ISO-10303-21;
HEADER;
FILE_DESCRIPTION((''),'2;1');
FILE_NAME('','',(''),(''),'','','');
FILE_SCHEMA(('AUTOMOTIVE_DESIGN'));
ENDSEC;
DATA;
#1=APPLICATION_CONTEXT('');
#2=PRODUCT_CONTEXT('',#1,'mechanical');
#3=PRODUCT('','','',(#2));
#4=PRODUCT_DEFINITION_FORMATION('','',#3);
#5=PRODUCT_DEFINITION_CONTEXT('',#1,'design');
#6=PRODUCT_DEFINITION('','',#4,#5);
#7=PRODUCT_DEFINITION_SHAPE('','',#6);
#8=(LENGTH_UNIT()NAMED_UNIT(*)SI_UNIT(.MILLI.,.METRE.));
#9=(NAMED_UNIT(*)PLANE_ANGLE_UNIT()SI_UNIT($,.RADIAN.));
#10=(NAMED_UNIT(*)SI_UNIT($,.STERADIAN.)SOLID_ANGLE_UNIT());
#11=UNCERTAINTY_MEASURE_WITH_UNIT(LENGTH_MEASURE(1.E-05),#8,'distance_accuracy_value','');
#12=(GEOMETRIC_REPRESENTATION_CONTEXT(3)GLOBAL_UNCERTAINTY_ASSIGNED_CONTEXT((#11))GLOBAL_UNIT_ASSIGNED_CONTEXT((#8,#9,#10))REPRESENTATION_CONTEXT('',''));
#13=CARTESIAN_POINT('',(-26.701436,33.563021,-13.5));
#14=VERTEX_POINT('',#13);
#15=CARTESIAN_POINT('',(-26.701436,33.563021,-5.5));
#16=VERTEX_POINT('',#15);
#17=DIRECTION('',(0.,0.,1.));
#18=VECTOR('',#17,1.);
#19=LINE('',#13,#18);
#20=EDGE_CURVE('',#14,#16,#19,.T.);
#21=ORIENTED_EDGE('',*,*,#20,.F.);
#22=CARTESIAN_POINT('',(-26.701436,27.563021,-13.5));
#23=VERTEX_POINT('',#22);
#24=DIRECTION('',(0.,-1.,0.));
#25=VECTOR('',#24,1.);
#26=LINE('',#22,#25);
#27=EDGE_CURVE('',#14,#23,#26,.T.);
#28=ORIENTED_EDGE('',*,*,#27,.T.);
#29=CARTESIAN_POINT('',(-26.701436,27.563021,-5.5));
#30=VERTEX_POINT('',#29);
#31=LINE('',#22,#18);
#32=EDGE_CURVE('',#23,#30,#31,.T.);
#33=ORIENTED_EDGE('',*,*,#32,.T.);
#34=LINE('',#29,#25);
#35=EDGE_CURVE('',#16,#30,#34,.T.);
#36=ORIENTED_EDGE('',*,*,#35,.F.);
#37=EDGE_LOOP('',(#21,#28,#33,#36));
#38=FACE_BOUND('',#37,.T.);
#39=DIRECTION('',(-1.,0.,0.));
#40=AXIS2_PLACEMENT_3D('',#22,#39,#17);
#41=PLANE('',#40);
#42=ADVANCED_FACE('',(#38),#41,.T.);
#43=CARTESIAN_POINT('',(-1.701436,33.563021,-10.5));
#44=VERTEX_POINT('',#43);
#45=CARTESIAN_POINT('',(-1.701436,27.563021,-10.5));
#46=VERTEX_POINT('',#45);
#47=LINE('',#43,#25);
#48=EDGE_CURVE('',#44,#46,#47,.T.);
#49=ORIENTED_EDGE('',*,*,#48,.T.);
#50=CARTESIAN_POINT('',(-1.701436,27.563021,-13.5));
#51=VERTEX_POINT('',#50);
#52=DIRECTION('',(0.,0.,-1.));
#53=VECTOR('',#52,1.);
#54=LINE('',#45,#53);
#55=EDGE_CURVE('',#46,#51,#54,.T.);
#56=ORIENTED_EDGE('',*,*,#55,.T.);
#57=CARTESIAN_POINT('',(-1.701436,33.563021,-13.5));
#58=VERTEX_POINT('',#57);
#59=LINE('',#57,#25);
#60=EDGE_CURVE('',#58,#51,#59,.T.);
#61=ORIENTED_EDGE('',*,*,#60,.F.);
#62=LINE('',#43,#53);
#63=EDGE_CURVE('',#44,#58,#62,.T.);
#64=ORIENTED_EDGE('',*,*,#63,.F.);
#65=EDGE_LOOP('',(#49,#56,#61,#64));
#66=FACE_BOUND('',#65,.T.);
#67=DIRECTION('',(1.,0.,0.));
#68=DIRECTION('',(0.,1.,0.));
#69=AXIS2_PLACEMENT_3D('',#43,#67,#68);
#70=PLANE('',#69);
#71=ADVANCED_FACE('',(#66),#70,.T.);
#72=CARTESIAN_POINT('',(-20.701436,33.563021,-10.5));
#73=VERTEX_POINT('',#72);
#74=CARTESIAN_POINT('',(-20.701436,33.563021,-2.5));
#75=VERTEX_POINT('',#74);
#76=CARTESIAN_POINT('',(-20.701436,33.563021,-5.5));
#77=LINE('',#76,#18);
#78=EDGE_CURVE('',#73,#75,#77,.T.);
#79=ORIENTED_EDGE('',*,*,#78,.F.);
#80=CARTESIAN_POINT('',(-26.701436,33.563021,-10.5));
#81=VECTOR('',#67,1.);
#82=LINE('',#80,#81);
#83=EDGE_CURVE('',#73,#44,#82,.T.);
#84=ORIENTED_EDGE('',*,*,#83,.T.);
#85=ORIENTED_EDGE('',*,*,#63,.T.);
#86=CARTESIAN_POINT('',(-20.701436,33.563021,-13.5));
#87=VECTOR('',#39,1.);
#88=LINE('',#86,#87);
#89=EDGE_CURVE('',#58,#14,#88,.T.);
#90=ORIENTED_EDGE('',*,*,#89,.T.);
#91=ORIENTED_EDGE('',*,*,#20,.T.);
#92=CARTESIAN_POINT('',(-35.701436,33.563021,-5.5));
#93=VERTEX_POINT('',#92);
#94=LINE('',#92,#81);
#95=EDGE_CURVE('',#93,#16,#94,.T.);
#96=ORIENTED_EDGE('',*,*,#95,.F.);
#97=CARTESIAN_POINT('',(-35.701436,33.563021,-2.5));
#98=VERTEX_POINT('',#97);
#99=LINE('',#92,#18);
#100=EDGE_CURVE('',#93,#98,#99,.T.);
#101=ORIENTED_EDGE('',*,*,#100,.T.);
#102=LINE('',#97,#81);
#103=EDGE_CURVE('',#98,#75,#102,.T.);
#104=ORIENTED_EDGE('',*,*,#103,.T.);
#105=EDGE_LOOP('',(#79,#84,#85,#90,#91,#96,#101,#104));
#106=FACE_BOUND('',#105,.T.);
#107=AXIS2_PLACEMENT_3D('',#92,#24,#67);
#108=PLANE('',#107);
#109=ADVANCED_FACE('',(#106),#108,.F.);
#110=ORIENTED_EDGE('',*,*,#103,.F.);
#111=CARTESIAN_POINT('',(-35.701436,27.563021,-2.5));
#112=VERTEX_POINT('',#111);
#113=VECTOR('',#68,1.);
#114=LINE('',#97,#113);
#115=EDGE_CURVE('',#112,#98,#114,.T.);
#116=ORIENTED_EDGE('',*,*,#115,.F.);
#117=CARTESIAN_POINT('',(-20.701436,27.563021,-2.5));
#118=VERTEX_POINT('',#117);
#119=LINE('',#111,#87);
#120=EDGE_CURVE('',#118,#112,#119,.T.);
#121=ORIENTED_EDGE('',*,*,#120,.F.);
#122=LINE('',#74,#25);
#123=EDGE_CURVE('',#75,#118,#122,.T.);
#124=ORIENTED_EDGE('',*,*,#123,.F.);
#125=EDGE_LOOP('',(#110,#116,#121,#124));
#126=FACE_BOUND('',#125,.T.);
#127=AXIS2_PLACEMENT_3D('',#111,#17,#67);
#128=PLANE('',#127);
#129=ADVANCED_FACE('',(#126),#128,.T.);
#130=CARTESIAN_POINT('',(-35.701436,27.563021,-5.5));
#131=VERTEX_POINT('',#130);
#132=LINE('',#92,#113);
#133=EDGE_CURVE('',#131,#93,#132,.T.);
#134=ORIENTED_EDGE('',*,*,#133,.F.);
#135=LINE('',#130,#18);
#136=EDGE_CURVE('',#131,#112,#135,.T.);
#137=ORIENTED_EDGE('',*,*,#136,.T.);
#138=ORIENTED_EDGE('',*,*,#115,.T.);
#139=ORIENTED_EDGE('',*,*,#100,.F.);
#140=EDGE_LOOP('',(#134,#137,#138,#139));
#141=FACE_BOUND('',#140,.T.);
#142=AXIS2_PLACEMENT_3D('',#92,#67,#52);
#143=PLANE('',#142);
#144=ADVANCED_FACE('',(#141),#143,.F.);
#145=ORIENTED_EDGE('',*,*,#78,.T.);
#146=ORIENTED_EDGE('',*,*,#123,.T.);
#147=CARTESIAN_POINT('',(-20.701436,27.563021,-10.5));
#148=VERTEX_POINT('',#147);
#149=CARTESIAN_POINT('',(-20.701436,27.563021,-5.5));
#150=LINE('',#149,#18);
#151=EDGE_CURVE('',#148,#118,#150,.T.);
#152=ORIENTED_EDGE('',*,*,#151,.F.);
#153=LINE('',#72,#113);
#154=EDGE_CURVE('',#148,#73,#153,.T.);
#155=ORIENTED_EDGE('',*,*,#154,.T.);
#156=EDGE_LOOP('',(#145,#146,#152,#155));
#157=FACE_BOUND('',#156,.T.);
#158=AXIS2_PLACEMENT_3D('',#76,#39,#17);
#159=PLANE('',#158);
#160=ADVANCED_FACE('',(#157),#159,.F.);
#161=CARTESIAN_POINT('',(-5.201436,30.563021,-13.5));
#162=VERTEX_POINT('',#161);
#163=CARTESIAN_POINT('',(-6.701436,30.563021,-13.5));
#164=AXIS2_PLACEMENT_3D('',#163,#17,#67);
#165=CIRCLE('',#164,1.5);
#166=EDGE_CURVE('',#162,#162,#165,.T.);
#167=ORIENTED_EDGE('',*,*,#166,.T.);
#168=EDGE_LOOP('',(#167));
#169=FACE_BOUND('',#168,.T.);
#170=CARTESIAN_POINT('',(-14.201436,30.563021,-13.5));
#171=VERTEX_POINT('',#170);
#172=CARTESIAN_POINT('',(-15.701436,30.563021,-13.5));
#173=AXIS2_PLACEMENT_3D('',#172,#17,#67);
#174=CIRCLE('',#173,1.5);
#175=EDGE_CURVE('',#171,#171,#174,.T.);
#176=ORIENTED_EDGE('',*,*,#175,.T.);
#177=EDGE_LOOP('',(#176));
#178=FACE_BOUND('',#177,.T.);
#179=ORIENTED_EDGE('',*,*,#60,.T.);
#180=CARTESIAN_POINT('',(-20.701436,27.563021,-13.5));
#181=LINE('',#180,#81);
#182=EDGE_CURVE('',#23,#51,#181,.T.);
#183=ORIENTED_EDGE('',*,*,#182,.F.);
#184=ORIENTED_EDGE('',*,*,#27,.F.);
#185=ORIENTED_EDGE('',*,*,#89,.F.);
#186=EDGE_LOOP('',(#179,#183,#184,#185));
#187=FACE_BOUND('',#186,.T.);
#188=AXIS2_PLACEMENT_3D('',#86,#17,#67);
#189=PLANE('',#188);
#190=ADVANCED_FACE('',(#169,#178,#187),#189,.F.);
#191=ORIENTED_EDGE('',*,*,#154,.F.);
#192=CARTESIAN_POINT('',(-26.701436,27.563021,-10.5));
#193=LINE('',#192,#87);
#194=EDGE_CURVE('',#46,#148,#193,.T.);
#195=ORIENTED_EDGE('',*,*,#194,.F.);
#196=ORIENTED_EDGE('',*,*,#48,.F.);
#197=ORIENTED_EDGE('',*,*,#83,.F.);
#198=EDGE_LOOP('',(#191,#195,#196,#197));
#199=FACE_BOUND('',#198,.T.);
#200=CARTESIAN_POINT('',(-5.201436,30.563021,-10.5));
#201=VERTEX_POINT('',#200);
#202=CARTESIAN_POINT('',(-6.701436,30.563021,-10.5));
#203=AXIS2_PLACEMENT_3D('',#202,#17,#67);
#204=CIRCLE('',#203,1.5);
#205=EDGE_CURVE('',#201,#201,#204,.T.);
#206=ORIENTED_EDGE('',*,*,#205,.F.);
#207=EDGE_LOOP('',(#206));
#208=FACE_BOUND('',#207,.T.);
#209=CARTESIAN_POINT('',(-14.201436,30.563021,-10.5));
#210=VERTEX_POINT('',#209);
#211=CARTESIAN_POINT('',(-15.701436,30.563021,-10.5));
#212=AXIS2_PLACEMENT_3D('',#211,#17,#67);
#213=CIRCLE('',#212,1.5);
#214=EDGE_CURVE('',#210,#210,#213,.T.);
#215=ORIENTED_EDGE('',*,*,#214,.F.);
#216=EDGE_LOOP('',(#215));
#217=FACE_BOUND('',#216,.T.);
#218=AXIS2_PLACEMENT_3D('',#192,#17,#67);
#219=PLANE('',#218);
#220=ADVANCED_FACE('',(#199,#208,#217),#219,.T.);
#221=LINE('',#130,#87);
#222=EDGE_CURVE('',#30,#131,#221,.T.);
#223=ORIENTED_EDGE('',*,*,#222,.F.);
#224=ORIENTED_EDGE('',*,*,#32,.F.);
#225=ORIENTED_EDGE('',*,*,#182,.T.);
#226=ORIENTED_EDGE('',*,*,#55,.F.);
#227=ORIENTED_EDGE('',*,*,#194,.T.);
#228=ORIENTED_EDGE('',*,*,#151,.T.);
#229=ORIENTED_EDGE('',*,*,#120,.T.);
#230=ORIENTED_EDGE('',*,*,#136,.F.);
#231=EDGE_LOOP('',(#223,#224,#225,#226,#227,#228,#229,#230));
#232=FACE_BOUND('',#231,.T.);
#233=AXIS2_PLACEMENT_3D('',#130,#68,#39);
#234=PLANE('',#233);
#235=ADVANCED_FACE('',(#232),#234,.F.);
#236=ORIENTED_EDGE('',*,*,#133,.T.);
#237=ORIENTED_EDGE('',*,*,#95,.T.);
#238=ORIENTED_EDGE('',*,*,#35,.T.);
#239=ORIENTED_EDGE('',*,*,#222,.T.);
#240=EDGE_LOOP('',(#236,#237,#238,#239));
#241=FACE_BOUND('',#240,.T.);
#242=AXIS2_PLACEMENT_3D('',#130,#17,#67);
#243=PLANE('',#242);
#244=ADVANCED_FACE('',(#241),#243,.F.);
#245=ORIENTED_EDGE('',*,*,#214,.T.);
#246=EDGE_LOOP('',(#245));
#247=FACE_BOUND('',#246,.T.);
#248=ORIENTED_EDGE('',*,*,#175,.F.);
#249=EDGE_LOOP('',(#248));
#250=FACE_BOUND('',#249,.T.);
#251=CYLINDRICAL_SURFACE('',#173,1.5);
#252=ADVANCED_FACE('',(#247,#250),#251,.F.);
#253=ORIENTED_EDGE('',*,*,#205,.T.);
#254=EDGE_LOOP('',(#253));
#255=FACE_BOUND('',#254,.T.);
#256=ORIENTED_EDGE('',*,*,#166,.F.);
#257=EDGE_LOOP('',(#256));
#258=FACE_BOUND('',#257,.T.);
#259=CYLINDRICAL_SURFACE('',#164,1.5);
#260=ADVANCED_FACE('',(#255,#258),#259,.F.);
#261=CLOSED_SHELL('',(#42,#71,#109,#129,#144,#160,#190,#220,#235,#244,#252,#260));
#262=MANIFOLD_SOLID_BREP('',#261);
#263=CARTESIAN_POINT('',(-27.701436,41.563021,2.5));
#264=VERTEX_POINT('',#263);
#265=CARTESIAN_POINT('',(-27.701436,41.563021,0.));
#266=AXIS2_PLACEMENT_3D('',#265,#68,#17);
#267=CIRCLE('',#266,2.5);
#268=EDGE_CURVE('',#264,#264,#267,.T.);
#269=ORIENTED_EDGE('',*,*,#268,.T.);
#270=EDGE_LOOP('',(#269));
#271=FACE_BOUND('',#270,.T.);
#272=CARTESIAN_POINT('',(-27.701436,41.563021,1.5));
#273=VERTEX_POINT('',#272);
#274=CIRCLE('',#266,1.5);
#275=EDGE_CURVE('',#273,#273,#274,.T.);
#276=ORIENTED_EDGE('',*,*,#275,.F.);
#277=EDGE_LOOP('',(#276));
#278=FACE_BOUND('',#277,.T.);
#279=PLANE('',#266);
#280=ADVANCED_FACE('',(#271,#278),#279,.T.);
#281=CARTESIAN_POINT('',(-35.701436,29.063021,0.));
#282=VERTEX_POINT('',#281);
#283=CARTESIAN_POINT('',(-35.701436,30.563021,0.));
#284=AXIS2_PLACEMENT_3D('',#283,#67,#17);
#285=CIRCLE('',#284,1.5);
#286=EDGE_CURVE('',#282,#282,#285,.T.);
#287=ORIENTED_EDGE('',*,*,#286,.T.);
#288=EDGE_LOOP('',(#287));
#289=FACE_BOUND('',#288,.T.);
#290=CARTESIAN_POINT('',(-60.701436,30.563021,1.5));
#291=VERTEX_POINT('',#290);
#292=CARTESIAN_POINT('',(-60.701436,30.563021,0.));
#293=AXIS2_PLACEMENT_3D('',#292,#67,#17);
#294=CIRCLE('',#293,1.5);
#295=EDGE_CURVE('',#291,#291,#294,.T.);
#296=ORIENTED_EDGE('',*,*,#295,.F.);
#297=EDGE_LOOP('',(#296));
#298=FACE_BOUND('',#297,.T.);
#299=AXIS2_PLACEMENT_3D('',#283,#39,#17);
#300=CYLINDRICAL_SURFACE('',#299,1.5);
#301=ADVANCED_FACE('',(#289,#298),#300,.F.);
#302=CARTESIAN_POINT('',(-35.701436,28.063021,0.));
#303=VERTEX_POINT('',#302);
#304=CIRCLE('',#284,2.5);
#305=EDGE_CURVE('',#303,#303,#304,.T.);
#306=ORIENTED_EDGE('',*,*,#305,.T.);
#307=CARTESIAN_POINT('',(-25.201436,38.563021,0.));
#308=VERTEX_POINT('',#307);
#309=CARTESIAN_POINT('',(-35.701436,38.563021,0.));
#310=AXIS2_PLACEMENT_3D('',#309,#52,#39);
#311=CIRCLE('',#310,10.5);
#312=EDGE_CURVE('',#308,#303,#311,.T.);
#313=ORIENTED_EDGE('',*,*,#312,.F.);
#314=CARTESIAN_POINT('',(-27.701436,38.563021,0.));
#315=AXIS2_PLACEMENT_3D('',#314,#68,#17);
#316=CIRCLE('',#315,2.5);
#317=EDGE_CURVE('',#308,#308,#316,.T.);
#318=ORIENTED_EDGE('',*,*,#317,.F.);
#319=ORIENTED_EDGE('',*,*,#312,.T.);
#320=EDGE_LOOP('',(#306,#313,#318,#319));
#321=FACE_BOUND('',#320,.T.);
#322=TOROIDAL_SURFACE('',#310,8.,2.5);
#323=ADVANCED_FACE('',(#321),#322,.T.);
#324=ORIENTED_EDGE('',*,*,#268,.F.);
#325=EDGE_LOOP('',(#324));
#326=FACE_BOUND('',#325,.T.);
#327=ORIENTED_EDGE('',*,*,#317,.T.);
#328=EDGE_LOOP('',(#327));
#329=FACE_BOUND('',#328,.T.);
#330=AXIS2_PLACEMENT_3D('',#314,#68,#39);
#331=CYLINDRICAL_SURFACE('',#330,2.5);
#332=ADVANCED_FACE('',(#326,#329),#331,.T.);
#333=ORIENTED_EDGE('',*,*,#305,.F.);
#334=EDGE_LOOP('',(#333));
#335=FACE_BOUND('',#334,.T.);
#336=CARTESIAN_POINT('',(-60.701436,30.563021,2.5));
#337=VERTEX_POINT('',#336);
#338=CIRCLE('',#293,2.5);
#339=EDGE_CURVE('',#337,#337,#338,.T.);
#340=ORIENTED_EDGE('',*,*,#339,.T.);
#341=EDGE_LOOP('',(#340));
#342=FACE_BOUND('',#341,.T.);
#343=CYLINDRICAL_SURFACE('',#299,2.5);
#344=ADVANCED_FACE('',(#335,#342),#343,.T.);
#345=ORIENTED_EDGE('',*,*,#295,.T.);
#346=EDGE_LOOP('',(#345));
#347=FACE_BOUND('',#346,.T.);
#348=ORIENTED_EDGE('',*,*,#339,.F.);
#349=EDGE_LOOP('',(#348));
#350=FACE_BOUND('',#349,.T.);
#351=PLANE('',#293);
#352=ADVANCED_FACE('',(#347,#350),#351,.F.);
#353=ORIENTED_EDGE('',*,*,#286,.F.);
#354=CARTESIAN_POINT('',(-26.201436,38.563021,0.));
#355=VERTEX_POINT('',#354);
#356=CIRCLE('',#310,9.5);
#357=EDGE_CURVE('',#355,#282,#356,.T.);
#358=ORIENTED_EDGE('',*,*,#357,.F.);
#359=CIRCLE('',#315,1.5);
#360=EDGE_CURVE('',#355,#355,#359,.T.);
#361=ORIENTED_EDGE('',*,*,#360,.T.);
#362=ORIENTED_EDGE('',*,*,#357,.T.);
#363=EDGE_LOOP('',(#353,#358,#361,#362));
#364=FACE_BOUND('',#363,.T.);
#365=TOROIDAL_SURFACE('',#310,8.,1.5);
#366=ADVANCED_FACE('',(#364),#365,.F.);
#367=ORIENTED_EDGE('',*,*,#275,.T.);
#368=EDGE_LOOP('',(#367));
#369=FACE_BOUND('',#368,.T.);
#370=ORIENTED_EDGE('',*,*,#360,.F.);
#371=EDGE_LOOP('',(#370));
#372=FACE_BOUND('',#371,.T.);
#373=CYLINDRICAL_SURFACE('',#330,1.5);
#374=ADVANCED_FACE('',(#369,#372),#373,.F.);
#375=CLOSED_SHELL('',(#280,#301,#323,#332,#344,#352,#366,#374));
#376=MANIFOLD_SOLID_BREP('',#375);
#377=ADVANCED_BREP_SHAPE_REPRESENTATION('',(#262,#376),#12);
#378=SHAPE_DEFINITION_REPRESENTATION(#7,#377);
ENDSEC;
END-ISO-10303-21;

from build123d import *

# Parameters (mm, degrees)
SKETCH3_R           = 2.5
SKETCH3_R_2         = 1.5
SKETCH4_W           = 15
SKETCH4_H           = 6
BOSS_EXTRUDE1_DEPTH = 3
SKETCH5_W           = 6
SKETCH5_H           = 6
BOSS_EXTRUDE2_DEPTH = 11
SKETCH6_W           = 25
SKETCH6_H           = 6
BOSS_EXTRUDE3_DEPTH = 3
SKETCH7_R           = 1.5
CUT_EXTRUDE1_DEPTH  = 75.707087809


with BuildPart() as part:
    # Sweep1: sweep along a path in Sketch1
    with BuildLine(Plane.XY) as sweep1_path:
        Line((-60.701435552, 30.563020681), (-35.701435552, 30.563020681))
        ThreePointArc((-35.701435552, 30.563020681), (-30.044581303, 32.906166431), (-27.701435552, 38.563020681))
        Line((-27.701435552, 38.563020681), (-27.701435552, 41.563020681))
    # Sketch3 → Sweep1 (sweep)
    with BuildSketch(Plane(origin=(0, 41.563020681, 0), x_dir=(-1, 0, 0), z_dir=(0, 1, 0))):
        with Locations((27.701435552, 0)):
            Circle(SKETCH3_R)
        with Locations((27.701435552, 0)):
            Circle(SKETCH3_R_2, mode=Mode.SUBTRACT)
    sweep(path=sweep1_path.line)


with BuildPart() as body_2:
    # Sketch4 → Boss-Extrude1 (new body)
    with BuildSketch(Plane(origin=(0, 0, -2.5), x_dir=(-1, 0, 0), z_dir=(0, 0, -1))):
        with Locations((28.201435552, 30.563020681)):
            Rectangle(SKETCH4_W, SKETCH4_H)
    extrude(amount=BOSS_EXTRUDE1_DEPTH)

    # Sketch5 → Boss-Extrude2 (add)
    with BuildSketch(Plane.XY.offset(-2.5)):
        with Locations((-23.701435552, 30.563020681)):
            Rectangle(SKETCH5_W, SKETCH5_H)
    extrude(amount=-BOSS_EXTRUDE2_DEPTH)

    # Sketch6 → Boss-Extrude3 (add)
    with BuildSketch(Plane(origin=(0, 0, -13.5), x_dir=(-1, 0, 0), z_dir=(0, 0, -1))):
        with Locations((14.201435552, 30.563020681)):
            Rectangle(SKETCH6_W, SKETCH6_H)
    extrude(amount=-BOSS_EXTRUDE3_DEPTH)

    # Sketch7 → Cut-Extrude1 (cut, through all)
    with BuildSketch(Plane.XY.offset(-10.5)):
        with Locations((-15.701435552, 30.563020681)):
            Circle(SKETCH7_R)
        with Locations((-6.701435552, 30.563020681)):
            Circle(SKETCH7_R)
    extrude(amount=-CUT_EXTRUDE1_DEPTH, mode=Mode.SUBTRACT)


solid = Compound([part.part, body_2.part])
